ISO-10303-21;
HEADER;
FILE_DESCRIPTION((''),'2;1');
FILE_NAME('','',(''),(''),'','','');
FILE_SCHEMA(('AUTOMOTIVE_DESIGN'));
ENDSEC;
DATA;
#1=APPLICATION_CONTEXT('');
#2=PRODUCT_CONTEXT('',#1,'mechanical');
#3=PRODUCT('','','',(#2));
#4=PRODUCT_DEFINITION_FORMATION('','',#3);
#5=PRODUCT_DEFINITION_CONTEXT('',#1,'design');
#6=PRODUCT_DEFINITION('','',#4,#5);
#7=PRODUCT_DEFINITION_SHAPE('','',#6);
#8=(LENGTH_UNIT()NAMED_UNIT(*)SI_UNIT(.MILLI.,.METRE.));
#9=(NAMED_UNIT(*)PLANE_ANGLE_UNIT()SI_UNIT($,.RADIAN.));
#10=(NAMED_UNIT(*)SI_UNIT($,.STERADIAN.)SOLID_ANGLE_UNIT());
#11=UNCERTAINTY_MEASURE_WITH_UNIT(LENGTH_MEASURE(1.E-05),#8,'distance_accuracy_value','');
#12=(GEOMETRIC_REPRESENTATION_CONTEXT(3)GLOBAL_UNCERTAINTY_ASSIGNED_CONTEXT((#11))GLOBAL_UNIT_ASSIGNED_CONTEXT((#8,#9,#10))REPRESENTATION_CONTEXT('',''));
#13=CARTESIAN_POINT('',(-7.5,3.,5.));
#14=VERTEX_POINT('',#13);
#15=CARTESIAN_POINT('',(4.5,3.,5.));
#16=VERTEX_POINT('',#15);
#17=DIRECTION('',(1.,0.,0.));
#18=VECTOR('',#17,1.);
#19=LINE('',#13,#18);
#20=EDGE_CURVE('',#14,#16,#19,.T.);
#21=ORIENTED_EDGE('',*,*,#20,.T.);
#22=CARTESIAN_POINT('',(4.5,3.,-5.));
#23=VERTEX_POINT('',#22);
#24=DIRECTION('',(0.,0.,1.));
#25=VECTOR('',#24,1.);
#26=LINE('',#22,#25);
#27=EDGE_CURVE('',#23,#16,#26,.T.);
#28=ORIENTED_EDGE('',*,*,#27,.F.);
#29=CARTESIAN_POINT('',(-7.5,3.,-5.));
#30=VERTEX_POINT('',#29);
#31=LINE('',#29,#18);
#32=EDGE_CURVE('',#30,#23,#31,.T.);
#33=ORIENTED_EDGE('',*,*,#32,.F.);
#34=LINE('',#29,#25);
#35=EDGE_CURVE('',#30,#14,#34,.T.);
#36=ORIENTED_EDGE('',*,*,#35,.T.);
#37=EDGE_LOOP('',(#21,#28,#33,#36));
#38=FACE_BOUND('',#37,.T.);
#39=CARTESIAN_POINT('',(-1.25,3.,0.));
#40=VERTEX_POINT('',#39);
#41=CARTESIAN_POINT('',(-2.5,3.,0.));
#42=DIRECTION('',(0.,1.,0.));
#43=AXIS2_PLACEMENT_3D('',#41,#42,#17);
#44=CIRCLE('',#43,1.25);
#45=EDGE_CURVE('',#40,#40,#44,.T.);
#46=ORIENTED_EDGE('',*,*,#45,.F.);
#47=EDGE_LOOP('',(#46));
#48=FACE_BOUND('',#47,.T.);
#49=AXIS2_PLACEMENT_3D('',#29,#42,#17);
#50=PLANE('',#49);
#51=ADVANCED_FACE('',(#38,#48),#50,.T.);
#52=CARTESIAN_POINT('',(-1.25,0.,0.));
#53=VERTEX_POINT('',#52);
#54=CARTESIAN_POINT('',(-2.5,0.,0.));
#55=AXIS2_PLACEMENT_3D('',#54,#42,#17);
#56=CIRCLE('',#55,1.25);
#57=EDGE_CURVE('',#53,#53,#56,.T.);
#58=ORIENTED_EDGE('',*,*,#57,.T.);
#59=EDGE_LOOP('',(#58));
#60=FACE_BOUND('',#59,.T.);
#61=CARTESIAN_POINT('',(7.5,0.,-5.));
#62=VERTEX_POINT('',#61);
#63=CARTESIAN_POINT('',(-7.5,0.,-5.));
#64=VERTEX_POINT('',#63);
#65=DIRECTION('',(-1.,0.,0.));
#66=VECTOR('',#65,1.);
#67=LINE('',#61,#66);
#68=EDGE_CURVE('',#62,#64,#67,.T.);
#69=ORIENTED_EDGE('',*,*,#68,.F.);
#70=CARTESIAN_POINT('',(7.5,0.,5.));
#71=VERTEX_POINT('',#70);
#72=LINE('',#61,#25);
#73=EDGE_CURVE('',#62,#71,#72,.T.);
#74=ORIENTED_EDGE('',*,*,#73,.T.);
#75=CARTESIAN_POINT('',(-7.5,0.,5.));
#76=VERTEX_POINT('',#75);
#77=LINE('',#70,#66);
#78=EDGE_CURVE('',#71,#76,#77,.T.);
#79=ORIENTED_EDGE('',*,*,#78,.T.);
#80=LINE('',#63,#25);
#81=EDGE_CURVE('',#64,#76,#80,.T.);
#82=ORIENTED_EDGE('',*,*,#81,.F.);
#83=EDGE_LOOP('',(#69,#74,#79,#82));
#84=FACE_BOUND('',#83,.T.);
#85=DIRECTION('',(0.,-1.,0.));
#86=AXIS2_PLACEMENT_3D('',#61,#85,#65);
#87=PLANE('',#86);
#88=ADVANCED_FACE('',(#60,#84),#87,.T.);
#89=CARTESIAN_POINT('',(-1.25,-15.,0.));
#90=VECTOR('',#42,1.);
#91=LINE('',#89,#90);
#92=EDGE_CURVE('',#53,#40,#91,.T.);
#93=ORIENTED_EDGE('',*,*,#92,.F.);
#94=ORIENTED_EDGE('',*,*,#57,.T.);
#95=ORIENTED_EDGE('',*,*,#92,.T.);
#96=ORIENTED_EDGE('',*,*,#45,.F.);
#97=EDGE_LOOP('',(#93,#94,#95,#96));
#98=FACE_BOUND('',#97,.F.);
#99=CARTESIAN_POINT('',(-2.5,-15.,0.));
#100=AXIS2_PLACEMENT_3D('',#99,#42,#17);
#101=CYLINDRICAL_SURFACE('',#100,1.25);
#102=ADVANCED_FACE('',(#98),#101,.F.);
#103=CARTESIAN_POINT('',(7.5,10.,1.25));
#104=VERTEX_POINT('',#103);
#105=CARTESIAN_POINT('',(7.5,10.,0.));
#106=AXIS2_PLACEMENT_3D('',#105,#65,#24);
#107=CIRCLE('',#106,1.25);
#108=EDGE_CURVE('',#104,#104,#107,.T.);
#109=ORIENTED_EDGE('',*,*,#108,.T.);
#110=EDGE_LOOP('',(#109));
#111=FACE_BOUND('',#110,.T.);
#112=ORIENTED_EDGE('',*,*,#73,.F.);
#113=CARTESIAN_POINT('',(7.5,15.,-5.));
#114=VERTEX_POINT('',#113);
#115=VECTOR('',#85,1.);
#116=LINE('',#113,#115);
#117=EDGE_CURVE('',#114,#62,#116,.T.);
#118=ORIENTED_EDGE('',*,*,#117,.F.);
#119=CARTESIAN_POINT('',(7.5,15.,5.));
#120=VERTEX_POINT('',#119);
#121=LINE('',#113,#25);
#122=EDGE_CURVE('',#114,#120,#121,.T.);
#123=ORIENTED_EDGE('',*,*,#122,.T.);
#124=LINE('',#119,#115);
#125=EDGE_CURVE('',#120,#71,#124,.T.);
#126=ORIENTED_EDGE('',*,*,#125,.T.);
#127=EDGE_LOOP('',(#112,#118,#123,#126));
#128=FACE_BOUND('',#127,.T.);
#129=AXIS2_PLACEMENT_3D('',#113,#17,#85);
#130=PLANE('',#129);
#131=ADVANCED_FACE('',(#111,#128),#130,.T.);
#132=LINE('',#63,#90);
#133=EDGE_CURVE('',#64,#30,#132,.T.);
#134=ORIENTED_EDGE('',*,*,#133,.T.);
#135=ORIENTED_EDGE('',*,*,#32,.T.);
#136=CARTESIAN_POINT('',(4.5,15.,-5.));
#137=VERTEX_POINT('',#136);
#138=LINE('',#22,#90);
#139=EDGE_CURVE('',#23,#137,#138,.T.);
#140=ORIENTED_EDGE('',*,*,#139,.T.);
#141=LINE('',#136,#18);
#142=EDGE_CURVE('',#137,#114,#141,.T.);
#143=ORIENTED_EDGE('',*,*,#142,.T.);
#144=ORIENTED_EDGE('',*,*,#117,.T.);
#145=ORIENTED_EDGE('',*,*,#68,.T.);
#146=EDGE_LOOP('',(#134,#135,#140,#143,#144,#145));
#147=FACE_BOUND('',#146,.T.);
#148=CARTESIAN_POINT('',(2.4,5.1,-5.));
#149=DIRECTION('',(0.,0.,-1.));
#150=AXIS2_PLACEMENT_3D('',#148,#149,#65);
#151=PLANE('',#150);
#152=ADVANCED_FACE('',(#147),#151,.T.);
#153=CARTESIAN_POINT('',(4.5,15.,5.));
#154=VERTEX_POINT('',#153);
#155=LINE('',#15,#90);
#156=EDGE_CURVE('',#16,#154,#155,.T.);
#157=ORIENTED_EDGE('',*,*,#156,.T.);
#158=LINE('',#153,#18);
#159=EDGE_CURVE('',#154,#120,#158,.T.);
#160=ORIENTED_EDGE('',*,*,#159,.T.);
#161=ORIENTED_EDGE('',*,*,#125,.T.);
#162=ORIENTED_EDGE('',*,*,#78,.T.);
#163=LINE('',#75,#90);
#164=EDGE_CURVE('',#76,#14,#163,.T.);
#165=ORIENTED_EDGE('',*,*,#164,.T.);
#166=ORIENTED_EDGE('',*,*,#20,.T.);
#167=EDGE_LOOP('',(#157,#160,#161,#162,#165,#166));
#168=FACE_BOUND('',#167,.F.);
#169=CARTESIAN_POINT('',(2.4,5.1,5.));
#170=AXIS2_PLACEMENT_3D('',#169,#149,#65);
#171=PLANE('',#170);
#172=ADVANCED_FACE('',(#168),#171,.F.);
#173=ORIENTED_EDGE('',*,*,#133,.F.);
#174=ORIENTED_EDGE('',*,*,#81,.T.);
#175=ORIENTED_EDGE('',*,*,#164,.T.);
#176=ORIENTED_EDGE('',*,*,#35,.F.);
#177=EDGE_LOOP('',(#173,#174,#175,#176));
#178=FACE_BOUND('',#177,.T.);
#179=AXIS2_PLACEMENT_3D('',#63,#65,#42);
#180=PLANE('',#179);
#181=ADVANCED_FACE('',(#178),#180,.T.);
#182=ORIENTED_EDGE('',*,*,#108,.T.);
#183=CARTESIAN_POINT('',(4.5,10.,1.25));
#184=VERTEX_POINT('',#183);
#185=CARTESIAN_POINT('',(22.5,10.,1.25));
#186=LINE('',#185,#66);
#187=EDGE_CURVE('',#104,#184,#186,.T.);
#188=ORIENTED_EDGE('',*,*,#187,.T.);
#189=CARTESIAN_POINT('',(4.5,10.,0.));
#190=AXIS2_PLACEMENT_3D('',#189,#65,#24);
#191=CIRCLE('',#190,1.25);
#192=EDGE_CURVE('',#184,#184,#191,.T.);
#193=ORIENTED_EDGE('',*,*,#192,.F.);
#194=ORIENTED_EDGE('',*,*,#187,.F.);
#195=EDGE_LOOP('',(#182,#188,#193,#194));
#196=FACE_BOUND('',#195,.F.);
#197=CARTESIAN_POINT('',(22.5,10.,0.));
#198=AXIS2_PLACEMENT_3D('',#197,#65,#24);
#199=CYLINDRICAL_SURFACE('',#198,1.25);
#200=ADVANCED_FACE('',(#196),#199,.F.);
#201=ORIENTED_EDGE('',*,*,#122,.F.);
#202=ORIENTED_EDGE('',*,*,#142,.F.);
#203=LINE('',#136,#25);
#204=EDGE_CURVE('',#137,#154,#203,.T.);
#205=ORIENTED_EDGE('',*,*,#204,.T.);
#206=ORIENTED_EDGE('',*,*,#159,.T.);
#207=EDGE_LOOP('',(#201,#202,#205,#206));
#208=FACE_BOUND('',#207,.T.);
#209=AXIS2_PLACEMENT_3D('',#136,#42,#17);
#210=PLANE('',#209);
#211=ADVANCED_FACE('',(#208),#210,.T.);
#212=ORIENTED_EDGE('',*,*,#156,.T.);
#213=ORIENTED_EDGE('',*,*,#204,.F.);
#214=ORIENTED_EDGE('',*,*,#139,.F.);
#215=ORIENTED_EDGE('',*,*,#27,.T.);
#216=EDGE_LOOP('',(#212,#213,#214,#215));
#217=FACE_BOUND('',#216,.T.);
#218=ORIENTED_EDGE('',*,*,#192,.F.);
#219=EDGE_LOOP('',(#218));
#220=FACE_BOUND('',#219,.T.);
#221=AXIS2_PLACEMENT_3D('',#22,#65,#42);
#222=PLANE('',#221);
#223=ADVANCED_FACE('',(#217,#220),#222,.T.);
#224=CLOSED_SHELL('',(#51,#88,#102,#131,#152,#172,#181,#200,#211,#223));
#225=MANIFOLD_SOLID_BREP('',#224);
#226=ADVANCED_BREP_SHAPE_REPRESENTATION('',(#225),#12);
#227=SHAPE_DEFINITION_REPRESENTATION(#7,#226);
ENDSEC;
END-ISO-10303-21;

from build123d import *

# Parameters (mm, degrees)
EXTRUDE_1_DEPTH             = 10
HOLE_WIZARD_2_5_2_5_1_D     = 2.5
HOLE_WIZARD_2_5_2_5_1_DEPTH = 15
HOLE_WIZARD_2_5_2_5_2_D     = 2.5
HOLE_WIZARD_2_5_2_5_2_DEPTH = 15


with BuildPart() as part:
    # 草圖1 → 填料-伸長1 (new body)
    with BuildSketch(Plane(origin=(0, 0, -5), x_dir=(-1, 0, 0), z_dir=(0, 0, -1))):
        Polygon((-7.5, 0), (7.5, 0), (7.5, 3), (-4.5, 3), (-4.5, 15), (-7.5, 15), align=None)
    extrude(amount=-EXTRUDE_1_DEPTH)

    # Ø2.5 (2.5) 直徑孔1
    with Locations(Plane(origin=(7.5, 0, 0), x_dir=(0, 0, -1), z_dir=(1, 0, 0))):
        with Locations((0, 10)):
            Hole(HOLE_WIZARD_2_5_2_5_1_D / 2, depth=HOLE_WIZARD_2_5_2_5_1_DEPTH)

    # Ø2.5 (2.5) 直徑孔2
    with Locations(Plane(origin=(0, 0, 0), x_dir=(-1, 0, 0), z_dir=(0, -1, 0))):
        with Locations((2.5, 0)):
            Hole(HOLE_WIZARD_2_5_2_5_2_D / 2, depth=HOLE_WIZARD_2_5_2_5_2_DEPTH)


solid = part.part
